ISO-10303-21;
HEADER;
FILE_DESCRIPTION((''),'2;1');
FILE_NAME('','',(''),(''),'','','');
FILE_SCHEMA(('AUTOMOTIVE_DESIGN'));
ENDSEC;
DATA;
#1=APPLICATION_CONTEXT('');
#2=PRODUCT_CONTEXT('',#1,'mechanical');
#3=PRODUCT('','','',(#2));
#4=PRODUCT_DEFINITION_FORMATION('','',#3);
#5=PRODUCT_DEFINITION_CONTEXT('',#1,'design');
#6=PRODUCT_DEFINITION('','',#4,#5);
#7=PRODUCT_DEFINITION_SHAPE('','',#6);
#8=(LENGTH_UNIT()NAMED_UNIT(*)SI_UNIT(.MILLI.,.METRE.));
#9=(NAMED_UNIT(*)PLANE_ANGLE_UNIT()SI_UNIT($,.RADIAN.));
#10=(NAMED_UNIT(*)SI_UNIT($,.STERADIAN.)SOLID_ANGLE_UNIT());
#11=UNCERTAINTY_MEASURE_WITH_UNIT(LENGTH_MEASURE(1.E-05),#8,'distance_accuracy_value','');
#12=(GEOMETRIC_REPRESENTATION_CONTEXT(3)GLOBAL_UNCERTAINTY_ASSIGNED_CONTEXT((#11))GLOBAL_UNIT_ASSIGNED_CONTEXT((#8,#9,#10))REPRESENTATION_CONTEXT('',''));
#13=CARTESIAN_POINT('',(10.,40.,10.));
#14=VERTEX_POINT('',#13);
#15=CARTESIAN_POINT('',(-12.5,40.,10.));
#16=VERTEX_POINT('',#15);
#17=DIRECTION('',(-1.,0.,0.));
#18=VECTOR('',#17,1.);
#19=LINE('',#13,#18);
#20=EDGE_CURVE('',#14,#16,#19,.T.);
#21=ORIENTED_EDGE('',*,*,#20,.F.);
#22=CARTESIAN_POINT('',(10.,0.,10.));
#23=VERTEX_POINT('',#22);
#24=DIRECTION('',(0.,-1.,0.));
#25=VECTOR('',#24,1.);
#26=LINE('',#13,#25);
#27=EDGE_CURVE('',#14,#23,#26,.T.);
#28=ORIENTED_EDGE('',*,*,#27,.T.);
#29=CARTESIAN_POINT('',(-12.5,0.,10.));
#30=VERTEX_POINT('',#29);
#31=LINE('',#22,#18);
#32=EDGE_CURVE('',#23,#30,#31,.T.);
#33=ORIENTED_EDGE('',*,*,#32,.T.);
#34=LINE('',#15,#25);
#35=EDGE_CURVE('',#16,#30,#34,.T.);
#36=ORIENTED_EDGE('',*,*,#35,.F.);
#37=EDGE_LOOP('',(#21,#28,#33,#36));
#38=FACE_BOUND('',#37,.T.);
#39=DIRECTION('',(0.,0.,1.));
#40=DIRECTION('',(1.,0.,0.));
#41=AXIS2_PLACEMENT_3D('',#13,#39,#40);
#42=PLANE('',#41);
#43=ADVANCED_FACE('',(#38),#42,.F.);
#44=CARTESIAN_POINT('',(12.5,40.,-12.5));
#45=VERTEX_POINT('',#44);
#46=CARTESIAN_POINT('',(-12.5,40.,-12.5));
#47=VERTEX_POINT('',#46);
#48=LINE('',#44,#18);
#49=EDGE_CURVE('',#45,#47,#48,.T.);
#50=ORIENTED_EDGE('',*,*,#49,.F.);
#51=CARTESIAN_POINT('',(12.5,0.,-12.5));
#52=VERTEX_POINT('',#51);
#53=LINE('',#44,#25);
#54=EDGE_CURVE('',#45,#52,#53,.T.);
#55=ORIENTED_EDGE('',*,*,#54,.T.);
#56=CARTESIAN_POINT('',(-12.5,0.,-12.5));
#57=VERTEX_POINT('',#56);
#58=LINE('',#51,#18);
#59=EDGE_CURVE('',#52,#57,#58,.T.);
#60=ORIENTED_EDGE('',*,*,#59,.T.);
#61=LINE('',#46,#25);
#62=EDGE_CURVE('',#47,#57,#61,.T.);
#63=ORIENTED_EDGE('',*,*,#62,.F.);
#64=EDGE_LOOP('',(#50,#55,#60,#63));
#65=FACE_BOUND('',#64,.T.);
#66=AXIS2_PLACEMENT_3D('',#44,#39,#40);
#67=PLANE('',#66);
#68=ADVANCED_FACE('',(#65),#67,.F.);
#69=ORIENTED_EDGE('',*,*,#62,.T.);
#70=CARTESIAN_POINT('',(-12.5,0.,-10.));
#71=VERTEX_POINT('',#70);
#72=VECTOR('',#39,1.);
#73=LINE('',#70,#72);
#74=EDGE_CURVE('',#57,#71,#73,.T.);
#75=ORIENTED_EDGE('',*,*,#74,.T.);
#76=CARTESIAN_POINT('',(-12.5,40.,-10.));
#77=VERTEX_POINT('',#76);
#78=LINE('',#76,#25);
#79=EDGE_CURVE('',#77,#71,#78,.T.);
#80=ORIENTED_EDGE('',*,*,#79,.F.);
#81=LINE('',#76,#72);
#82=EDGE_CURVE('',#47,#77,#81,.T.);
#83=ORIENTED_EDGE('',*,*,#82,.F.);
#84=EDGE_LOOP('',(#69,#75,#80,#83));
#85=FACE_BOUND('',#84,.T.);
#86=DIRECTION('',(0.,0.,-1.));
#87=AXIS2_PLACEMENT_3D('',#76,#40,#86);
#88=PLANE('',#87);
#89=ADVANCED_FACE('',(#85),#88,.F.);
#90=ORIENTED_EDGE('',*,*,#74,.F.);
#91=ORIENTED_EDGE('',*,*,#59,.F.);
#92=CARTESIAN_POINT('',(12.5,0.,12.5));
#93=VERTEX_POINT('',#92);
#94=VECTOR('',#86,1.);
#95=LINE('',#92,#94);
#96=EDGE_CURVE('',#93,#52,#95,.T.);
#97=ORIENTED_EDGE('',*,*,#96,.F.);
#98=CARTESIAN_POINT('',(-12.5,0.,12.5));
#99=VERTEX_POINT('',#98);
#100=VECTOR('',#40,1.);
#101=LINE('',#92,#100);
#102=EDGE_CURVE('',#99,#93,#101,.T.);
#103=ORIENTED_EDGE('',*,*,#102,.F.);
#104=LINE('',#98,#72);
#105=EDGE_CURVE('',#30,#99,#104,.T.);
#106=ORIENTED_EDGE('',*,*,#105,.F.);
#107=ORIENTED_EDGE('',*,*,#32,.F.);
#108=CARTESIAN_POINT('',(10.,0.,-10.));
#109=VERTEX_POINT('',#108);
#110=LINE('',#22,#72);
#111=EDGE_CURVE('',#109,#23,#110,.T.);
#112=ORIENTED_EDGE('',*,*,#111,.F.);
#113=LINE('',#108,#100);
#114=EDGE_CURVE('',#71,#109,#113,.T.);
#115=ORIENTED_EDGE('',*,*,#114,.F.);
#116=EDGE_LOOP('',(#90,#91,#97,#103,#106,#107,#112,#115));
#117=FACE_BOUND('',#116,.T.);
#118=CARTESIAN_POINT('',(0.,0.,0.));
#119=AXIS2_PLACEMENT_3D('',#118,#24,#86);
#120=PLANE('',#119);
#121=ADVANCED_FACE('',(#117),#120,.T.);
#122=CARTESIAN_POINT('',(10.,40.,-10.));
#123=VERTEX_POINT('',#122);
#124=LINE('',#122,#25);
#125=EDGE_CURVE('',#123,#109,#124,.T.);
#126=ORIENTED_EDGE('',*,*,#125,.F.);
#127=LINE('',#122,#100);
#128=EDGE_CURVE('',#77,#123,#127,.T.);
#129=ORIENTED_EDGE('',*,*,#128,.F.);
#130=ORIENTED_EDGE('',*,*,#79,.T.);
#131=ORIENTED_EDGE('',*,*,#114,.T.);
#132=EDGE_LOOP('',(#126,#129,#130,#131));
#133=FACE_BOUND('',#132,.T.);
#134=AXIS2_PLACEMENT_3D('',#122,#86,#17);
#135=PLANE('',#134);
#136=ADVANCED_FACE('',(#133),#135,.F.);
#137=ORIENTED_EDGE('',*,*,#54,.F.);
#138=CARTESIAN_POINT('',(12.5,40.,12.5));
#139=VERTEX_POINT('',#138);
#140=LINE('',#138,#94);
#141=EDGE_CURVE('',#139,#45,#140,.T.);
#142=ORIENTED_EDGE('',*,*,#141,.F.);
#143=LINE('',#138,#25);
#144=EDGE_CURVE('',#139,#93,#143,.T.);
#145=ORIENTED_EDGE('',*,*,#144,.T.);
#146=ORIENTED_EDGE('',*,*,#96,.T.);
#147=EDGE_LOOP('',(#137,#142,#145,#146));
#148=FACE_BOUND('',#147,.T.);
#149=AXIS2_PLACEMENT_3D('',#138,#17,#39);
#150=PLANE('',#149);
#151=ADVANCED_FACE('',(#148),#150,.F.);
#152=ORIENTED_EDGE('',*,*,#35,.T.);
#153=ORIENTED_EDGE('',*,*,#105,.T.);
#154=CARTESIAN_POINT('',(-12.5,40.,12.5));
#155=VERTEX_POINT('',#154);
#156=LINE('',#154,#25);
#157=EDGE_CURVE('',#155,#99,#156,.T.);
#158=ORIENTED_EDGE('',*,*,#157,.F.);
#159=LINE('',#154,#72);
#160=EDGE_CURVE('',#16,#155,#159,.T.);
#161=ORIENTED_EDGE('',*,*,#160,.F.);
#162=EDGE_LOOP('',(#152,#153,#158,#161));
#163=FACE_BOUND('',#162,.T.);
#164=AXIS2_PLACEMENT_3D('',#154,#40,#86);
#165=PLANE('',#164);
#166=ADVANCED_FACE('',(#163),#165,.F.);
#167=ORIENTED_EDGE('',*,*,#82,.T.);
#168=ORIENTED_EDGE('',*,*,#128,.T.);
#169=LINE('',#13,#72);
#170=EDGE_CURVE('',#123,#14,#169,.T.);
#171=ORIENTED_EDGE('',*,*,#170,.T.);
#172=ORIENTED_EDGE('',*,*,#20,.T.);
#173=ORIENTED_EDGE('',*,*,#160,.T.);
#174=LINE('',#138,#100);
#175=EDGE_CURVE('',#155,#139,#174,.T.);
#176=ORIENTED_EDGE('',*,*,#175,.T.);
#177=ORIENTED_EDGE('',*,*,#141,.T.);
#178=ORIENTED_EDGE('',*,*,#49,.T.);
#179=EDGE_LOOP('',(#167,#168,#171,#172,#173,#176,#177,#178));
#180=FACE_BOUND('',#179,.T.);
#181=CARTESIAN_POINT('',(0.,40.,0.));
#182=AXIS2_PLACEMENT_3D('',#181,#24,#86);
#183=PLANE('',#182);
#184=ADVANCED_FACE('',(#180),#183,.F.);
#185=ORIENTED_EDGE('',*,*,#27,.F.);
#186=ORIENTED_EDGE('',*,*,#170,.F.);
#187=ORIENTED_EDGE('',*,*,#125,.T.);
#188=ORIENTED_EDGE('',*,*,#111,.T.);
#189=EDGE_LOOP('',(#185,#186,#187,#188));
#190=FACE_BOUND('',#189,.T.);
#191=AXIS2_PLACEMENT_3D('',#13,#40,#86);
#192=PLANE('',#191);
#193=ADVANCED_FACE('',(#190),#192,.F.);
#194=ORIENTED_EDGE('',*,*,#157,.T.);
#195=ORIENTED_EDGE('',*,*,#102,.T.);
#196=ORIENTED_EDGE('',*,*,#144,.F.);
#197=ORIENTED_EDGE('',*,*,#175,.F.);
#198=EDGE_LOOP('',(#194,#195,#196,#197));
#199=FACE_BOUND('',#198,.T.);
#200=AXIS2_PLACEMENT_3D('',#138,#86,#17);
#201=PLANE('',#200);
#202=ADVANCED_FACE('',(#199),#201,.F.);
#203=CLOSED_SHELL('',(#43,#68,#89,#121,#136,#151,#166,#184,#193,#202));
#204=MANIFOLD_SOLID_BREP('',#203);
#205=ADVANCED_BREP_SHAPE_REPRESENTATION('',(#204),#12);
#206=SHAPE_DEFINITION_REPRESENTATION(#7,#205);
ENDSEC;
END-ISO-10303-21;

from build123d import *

# Parameters (mm, degrees)
BOSS_EXTRUDE1_DEPTH = 40


with BuildPart() as part:
    # Sketch1 → Boss-Extrude1 (new body)
    with BuildSketch(Plane(origin=(0, 0, 0), x_dir=(1, 0, 0), z_dir=(0, 1, 0))):
        Polygon((-12.5, 10), (-12.5, 12.5), (12.5, 12.5), (12.5, -12.5), (-12.5, -12.5), (-12.5, -10), (10, -10), (10, 10), align=None)
    extrude(amount=BOSS_EXTRUDE1_DEPTH)


solid = part.part
